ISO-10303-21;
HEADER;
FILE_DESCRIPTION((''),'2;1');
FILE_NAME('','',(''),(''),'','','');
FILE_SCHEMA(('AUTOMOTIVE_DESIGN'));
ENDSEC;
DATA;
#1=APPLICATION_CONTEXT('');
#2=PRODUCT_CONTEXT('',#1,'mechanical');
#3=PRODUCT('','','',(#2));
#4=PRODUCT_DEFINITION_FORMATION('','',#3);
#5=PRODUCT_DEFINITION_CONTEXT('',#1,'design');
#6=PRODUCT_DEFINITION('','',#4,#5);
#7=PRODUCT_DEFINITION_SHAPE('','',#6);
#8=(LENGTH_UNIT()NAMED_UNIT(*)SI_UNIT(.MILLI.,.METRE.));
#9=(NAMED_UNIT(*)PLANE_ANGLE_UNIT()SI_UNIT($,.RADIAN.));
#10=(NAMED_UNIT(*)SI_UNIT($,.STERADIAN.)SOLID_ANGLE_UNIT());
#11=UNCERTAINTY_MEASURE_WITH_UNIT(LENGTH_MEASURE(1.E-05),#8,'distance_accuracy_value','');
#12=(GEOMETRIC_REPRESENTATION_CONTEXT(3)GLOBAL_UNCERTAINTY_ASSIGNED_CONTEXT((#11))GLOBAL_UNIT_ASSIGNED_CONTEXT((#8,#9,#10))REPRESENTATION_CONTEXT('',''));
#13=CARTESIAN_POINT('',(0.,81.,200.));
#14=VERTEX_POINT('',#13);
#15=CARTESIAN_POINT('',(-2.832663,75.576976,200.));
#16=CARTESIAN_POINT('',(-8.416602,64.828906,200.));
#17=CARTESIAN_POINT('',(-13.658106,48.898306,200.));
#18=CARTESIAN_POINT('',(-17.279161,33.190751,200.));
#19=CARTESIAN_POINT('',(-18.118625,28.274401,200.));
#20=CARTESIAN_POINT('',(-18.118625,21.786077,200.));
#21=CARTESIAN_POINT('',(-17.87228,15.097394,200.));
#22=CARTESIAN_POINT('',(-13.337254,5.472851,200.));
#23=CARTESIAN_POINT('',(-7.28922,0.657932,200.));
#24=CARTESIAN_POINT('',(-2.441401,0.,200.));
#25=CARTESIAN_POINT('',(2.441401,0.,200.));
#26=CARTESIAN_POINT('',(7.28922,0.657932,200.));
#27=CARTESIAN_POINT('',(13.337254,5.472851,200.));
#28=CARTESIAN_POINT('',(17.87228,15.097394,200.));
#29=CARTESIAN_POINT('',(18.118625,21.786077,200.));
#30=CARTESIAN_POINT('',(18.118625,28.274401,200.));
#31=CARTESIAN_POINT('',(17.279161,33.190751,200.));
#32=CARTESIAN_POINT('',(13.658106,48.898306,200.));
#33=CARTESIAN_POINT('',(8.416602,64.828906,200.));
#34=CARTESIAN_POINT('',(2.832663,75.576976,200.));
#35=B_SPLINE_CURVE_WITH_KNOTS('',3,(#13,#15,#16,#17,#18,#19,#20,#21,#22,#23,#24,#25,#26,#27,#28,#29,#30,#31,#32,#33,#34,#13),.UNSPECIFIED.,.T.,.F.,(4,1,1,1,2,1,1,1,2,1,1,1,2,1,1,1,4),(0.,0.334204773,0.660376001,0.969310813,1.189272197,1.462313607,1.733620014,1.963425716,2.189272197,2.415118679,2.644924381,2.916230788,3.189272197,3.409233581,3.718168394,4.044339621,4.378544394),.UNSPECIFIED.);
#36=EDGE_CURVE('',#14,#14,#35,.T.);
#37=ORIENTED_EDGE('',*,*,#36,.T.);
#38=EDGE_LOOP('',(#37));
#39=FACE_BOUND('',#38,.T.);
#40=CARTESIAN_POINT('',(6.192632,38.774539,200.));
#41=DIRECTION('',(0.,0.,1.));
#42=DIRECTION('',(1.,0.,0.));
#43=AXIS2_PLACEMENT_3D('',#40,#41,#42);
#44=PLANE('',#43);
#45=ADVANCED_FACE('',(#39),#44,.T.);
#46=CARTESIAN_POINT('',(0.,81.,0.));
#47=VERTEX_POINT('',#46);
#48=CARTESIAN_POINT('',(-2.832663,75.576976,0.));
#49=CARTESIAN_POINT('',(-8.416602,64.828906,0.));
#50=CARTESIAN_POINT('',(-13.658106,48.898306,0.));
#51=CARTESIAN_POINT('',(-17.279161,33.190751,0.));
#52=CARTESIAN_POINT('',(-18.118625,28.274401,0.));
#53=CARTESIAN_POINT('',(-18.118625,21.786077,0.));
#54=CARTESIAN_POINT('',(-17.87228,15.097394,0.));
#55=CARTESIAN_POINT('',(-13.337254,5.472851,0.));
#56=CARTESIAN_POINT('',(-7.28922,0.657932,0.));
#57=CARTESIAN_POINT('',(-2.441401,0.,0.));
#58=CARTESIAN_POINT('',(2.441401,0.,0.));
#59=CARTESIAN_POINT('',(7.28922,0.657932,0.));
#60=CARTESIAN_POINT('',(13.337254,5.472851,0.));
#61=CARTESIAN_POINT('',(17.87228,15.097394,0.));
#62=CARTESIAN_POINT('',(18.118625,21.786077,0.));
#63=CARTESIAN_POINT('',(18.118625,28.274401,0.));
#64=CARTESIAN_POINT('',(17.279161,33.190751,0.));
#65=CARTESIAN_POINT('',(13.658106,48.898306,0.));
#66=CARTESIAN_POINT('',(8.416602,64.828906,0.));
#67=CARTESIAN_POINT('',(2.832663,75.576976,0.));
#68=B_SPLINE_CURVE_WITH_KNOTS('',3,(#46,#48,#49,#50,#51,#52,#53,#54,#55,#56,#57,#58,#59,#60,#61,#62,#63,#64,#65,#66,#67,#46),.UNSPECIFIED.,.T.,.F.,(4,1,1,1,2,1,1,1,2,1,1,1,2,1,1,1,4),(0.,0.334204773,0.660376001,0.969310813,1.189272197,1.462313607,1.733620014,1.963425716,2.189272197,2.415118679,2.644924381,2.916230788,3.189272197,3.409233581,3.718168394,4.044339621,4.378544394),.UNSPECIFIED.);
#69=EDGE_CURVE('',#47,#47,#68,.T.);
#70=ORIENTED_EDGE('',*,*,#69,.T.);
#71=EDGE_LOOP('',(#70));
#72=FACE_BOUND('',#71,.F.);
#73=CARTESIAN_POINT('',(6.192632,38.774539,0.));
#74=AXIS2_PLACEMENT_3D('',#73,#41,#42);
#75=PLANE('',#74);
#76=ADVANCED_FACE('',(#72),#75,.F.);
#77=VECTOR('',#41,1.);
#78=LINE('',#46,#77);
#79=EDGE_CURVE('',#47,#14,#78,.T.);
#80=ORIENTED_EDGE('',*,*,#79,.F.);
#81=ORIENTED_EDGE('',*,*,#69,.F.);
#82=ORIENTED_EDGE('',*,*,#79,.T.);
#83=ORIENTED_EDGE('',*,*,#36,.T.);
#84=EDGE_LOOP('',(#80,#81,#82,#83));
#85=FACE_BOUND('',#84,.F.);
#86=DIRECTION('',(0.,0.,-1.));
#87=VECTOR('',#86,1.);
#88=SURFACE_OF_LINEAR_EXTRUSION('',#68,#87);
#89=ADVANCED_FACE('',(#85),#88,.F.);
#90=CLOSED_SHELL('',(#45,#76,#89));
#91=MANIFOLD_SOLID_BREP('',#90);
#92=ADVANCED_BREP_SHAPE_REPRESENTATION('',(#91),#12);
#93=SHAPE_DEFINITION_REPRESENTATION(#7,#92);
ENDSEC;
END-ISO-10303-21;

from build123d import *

# Parameters (mm, degrees)
F1_DEPTH = 200


with BuildPart() as f1:
    # F0 (on Top) → F1 (new body)
    with BuildSketch(Plane.XY):
        with BuildLine():
            Line((0, 81), (0, 0))
            add(Edge.make_bspline(
                [(0, 0), (2.4414012931, 0), (7.2892202461, 0.6579321834), (13.3372539654, 5.4728510851), (17.8722801521, 15.0973935927), (18.1186253128, 21.7860770173), (18.1186253128, 25.3795273538)],
                knots=[0, 0, 0, 0, 0.2258464816, 0.4556521835, 0.7269585904, 1, 1, 1, 1], degree=3))
            add(Edge.make_bspline(
                [(18.1186253128, 25.3795273538), (18.1186253128, 28.2744007406), (17.279161492, 33.1907514303), (13.6581055791, 48.8983056619), (8.4166016344, 64.8289057603), (2.8326627301, 75.5769757289), (0, 81)],
                knots=[0, 0, 0, 0, 0.1849546174, 0.4447225772, 0.7189837837, 1, 1, 1, 1], degree=3))
        make_face()
        with BuildLine():
            add(Edge.make_bspline(
                [(0, 0), (-2.4414012931, 0), (-7.2892202461, 0.6579321834), (-13.3372539654, 5.4728510851), (-17.8722801521, 15.0973935927), (-18.1186253128, 21.7860770173), (-18.1186253128, 25.3795273538)],
                knots=[0, 0, 0, 0, 0.2258464816, 0.4556521835, 0.7269585904, 1, 1, 1, 1], degree=3))
            Line((0, 0), (0, 81))
            add(Edge.make_bspline(
                [(-18.1186253128, 25.3795273538), (-18.1186253128, 28.2744007406), (-17.279161492, 33.1907514303), (-13.6581055791, 48.8983056619), (-8.4166016344, 64.8289057603), (-2.8326627301, 75.5769757289), (0, 81)],
                knots=[0, 0, 0, 0, 0.1849546174, 0.4447225772, 0.7189837837, 1, 1, 1, 1], degree=3))
        make_face()
    extrude(amount=F1_DEPTH)


solid = f1.part
